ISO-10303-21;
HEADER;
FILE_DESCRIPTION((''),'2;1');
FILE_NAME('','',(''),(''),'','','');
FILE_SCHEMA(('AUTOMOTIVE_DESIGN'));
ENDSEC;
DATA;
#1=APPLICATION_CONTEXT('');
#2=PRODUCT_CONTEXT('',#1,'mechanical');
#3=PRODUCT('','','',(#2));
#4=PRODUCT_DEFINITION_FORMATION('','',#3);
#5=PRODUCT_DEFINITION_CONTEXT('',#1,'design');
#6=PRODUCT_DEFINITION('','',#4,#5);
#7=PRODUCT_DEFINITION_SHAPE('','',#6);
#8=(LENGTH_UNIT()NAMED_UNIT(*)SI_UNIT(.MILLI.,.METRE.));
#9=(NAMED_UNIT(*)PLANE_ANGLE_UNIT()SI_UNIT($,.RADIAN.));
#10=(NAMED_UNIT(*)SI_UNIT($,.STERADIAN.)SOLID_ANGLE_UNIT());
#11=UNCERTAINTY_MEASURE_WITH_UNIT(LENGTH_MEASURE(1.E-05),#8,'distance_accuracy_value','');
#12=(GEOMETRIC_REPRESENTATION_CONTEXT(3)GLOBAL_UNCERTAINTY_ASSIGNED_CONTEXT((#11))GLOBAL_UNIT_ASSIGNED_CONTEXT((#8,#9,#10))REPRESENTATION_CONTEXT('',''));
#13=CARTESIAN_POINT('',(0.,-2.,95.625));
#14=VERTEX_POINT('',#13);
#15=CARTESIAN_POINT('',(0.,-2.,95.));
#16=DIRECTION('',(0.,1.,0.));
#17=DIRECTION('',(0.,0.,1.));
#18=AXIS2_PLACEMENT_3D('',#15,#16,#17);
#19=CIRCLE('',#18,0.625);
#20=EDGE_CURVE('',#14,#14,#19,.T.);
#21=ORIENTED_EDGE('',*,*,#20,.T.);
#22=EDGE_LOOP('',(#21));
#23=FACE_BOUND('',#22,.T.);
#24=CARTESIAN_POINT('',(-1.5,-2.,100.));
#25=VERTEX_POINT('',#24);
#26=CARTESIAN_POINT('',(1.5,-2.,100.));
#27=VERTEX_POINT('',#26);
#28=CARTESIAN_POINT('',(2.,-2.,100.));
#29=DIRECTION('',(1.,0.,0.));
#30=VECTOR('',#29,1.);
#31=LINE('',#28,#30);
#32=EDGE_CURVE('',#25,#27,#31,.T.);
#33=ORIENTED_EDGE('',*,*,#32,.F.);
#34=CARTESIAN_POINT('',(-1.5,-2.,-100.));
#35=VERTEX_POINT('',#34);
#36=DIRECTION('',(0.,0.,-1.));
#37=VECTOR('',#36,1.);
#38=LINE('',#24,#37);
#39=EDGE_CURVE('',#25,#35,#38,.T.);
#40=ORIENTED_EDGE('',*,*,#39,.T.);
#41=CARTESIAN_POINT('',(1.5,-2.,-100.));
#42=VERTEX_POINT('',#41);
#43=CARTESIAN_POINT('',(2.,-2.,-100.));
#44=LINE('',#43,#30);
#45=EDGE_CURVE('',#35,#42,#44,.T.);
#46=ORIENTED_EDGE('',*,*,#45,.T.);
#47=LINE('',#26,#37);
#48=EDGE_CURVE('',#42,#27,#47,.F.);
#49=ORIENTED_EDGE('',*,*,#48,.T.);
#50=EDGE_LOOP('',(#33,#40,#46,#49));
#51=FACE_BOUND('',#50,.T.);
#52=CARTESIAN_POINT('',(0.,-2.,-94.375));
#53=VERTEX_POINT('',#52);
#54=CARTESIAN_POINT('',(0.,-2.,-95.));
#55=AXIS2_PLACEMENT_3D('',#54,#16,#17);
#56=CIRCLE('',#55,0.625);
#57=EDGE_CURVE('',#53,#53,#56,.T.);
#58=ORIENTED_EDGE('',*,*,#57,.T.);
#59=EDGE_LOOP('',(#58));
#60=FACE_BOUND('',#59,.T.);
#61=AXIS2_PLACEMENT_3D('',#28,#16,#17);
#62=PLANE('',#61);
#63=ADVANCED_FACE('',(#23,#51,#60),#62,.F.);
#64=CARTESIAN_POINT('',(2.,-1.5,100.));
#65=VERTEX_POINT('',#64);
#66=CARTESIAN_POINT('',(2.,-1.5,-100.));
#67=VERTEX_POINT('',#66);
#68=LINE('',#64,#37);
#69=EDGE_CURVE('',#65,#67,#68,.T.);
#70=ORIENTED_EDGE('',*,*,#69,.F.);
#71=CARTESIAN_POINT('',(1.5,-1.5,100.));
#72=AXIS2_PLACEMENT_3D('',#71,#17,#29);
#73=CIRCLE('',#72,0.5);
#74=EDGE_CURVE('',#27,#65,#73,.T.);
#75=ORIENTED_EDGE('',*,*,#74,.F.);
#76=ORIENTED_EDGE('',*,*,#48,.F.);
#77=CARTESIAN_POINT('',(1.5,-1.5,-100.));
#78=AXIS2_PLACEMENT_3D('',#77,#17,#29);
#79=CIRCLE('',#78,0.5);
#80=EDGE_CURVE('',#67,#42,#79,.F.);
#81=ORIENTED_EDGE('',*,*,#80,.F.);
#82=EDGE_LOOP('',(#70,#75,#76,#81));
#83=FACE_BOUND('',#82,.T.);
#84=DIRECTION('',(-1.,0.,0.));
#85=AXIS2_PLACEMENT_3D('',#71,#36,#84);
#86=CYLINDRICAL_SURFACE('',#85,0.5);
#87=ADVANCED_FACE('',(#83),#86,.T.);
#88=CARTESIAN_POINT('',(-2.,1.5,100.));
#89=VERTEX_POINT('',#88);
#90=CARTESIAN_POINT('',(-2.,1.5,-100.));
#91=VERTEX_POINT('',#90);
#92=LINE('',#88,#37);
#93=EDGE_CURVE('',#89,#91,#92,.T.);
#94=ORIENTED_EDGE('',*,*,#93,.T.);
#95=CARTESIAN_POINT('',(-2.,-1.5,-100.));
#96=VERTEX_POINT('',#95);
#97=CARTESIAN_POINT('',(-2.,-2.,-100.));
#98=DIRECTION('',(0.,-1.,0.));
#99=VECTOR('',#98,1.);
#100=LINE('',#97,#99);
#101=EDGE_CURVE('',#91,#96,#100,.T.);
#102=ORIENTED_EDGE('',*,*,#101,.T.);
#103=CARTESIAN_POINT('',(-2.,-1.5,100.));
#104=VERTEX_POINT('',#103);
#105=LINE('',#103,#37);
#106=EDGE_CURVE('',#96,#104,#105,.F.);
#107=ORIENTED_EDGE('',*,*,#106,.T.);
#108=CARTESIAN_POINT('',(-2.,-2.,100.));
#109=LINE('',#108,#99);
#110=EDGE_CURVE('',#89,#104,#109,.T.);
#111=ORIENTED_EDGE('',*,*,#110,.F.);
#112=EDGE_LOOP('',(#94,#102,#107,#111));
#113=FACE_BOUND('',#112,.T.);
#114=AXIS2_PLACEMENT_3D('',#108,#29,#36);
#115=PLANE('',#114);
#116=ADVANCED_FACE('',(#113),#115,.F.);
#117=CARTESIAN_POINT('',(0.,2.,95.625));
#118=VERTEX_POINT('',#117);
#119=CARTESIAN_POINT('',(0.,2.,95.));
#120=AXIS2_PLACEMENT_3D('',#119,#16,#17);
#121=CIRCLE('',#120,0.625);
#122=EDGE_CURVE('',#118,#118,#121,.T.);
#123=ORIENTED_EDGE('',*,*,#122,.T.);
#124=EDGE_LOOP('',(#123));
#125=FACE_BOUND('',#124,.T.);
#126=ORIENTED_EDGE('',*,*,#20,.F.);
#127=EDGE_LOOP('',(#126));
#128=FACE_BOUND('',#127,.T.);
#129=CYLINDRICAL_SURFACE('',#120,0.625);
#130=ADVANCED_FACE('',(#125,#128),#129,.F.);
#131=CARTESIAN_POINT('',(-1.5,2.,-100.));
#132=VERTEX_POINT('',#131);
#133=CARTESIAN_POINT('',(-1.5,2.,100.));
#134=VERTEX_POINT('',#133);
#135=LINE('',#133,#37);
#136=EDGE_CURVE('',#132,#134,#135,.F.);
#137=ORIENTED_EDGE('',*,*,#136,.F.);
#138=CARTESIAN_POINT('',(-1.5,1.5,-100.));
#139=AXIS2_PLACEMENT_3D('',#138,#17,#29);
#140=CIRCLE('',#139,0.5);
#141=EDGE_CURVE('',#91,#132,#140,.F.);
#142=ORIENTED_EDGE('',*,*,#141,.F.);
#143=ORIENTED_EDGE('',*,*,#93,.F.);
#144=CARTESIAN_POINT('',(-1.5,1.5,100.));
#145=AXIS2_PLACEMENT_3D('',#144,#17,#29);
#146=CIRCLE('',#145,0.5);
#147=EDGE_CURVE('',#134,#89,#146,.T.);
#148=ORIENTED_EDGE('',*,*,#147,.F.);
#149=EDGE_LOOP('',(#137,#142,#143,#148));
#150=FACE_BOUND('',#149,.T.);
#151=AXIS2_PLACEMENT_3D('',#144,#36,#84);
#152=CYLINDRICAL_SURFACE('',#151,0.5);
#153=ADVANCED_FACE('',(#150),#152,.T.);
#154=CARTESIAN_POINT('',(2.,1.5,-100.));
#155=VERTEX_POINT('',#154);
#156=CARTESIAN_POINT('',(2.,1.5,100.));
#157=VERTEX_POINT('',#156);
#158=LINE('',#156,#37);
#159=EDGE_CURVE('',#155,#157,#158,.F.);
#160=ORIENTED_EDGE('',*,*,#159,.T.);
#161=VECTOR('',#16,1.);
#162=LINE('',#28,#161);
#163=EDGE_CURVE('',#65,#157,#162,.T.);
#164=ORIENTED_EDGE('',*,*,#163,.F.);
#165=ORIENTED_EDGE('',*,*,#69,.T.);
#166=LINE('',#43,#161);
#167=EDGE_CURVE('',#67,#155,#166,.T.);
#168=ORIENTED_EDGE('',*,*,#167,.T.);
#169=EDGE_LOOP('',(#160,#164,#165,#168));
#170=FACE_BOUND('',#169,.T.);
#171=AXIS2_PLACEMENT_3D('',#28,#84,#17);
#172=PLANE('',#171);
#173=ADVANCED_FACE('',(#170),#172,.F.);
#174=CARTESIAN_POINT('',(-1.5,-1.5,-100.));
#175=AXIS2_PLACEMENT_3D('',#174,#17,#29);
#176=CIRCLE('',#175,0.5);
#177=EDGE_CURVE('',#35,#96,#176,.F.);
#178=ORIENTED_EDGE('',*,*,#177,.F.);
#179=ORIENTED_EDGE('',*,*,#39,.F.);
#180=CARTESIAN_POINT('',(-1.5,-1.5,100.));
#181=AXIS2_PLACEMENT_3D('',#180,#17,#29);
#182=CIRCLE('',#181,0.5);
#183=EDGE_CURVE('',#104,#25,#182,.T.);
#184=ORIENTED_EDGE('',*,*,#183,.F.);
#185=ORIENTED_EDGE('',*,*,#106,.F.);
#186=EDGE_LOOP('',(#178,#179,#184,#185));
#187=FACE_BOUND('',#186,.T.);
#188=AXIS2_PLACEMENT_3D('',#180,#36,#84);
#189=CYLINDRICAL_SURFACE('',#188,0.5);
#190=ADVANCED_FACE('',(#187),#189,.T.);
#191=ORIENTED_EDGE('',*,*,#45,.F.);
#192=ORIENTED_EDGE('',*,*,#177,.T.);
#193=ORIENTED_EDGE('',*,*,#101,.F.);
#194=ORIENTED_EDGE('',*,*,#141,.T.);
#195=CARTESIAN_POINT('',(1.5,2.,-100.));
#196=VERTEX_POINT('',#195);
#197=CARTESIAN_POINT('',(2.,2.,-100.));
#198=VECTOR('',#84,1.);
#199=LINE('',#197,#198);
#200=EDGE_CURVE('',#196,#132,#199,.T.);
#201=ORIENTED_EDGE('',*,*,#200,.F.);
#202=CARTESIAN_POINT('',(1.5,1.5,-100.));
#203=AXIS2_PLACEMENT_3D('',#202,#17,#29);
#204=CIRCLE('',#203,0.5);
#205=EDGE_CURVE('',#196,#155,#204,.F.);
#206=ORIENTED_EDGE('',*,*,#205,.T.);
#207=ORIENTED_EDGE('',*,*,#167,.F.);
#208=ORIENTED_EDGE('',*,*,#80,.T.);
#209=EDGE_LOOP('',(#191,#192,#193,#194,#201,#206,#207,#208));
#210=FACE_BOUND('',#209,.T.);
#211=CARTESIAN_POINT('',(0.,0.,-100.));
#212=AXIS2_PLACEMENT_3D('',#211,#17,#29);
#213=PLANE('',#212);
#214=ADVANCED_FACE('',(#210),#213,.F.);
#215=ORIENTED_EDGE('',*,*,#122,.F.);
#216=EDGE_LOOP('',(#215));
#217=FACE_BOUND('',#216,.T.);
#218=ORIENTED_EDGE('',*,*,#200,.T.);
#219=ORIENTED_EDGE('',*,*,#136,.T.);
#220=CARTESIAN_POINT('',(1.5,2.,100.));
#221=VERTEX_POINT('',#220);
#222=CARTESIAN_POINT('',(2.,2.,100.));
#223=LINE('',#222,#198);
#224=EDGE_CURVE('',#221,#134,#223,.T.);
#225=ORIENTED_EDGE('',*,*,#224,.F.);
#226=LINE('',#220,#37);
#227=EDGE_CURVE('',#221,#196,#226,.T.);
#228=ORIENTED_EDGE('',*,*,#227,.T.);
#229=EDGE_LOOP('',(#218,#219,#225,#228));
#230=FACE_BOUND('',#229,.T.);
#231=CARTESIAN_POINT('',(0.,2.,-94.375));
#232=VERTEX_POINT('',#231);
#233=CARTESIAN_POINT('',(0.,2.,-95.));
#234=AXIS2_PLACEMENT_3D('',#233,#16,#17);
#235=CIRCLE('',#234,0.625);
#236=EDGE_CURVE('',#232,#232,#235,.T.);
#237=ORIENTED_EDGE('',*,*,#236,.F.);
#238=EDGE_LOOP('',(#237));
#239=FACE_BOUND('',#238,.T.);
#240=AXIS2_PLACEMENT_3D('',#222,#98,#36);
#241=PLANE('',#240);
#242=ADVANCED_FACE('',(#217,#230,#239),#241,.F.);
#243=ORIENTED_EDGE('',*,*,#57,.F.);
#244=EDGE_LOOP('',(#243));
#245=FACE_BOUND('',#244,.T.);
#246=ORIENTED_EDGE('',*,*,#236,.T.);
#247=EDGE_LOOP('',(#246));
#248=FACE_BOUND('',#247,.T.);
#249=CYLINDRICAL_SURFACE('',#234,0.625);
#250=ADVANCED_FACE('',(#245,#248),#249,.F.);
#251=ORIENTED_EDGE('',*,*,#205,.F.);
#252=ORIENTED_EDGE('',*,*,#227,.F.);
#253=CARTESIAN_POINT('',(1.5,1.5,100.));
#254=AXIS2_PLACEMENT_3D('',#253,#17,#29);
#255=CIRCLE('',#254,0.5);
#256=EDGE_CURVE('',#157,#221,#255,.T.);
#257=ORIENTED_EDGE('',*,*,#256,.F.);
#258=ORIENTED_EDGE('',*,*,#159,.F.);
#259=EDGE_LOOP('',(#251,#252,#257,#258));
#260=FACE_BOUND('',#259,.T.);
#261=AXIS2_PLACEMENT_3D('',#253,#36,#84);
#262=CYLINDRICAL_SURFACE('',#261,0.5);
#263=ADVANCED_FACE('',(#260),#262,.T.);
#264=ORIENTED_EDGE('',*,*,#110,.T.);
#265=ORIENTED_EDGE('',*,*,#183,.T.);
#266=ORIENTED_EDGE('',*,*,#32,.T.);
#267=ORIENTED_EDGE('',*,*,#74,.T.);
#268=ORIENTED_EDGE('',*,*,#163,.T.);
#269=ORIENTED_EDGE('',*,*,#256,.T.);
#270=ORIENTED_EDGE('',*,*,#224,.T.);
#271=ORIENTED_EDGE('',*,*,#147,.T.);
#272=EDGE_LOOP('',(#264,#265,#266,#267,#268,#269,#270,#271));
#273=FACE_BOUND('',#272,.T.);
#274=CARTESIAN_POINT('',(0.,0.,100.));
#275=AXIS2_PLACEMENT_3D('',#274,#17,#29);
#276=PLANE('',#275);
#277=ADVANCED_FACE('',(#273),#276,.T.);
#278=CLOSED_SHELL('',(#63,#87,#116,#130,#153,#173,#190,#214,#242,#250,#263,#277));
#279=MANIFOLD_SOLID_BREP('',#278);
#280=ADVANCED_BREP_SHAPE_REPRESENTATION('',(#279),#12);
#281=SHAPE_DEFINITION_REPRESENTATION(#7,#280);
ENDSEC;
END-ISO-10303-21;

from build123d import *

# Parameters (mm, degrees)
SKETCH1_W                 = 4
SKETCH1_H                 = 4
BOSS_EXTRUDE1_DEPTH       = 100
FILLET1_R                 = 0.5
TAP_DRILL_FOR_M1_6_TAP1_D = 1.25


with BuildPart() as part:
    # Sketch1 → Boss-Extrude1 (new, symmetric)
    with BuildSketch(Plane.XY):
        Rectangle(SKETCH1_W, SKETCH1_H)
    extrude(amount=BOSS_EXTRUDE1_DEPTH, both=True)

    # Fillet1
    fillet1_edges = [part.edges().sort_by_distance(p)[0] for p in [
        (2, -2, 0),
        (-2, -2, 0),
        (2, 2, 0),
        (-2, 2, 0),
    ]]
    fillet(fillet1_edges, radius=FILLET1_R)

    # Tap Drill for M1.6 Tap1 (through all)
    with Locations(Plane(origin=(0, 2, -95), x_dir=(0, 0, 1), z_dir=(0, 1, 0))):
        with Locations((0, 0), (190, 0)):
            Hole(TAP_DRILL_FOR_M1_6_TAP1_D / 2)


solid = part.part
